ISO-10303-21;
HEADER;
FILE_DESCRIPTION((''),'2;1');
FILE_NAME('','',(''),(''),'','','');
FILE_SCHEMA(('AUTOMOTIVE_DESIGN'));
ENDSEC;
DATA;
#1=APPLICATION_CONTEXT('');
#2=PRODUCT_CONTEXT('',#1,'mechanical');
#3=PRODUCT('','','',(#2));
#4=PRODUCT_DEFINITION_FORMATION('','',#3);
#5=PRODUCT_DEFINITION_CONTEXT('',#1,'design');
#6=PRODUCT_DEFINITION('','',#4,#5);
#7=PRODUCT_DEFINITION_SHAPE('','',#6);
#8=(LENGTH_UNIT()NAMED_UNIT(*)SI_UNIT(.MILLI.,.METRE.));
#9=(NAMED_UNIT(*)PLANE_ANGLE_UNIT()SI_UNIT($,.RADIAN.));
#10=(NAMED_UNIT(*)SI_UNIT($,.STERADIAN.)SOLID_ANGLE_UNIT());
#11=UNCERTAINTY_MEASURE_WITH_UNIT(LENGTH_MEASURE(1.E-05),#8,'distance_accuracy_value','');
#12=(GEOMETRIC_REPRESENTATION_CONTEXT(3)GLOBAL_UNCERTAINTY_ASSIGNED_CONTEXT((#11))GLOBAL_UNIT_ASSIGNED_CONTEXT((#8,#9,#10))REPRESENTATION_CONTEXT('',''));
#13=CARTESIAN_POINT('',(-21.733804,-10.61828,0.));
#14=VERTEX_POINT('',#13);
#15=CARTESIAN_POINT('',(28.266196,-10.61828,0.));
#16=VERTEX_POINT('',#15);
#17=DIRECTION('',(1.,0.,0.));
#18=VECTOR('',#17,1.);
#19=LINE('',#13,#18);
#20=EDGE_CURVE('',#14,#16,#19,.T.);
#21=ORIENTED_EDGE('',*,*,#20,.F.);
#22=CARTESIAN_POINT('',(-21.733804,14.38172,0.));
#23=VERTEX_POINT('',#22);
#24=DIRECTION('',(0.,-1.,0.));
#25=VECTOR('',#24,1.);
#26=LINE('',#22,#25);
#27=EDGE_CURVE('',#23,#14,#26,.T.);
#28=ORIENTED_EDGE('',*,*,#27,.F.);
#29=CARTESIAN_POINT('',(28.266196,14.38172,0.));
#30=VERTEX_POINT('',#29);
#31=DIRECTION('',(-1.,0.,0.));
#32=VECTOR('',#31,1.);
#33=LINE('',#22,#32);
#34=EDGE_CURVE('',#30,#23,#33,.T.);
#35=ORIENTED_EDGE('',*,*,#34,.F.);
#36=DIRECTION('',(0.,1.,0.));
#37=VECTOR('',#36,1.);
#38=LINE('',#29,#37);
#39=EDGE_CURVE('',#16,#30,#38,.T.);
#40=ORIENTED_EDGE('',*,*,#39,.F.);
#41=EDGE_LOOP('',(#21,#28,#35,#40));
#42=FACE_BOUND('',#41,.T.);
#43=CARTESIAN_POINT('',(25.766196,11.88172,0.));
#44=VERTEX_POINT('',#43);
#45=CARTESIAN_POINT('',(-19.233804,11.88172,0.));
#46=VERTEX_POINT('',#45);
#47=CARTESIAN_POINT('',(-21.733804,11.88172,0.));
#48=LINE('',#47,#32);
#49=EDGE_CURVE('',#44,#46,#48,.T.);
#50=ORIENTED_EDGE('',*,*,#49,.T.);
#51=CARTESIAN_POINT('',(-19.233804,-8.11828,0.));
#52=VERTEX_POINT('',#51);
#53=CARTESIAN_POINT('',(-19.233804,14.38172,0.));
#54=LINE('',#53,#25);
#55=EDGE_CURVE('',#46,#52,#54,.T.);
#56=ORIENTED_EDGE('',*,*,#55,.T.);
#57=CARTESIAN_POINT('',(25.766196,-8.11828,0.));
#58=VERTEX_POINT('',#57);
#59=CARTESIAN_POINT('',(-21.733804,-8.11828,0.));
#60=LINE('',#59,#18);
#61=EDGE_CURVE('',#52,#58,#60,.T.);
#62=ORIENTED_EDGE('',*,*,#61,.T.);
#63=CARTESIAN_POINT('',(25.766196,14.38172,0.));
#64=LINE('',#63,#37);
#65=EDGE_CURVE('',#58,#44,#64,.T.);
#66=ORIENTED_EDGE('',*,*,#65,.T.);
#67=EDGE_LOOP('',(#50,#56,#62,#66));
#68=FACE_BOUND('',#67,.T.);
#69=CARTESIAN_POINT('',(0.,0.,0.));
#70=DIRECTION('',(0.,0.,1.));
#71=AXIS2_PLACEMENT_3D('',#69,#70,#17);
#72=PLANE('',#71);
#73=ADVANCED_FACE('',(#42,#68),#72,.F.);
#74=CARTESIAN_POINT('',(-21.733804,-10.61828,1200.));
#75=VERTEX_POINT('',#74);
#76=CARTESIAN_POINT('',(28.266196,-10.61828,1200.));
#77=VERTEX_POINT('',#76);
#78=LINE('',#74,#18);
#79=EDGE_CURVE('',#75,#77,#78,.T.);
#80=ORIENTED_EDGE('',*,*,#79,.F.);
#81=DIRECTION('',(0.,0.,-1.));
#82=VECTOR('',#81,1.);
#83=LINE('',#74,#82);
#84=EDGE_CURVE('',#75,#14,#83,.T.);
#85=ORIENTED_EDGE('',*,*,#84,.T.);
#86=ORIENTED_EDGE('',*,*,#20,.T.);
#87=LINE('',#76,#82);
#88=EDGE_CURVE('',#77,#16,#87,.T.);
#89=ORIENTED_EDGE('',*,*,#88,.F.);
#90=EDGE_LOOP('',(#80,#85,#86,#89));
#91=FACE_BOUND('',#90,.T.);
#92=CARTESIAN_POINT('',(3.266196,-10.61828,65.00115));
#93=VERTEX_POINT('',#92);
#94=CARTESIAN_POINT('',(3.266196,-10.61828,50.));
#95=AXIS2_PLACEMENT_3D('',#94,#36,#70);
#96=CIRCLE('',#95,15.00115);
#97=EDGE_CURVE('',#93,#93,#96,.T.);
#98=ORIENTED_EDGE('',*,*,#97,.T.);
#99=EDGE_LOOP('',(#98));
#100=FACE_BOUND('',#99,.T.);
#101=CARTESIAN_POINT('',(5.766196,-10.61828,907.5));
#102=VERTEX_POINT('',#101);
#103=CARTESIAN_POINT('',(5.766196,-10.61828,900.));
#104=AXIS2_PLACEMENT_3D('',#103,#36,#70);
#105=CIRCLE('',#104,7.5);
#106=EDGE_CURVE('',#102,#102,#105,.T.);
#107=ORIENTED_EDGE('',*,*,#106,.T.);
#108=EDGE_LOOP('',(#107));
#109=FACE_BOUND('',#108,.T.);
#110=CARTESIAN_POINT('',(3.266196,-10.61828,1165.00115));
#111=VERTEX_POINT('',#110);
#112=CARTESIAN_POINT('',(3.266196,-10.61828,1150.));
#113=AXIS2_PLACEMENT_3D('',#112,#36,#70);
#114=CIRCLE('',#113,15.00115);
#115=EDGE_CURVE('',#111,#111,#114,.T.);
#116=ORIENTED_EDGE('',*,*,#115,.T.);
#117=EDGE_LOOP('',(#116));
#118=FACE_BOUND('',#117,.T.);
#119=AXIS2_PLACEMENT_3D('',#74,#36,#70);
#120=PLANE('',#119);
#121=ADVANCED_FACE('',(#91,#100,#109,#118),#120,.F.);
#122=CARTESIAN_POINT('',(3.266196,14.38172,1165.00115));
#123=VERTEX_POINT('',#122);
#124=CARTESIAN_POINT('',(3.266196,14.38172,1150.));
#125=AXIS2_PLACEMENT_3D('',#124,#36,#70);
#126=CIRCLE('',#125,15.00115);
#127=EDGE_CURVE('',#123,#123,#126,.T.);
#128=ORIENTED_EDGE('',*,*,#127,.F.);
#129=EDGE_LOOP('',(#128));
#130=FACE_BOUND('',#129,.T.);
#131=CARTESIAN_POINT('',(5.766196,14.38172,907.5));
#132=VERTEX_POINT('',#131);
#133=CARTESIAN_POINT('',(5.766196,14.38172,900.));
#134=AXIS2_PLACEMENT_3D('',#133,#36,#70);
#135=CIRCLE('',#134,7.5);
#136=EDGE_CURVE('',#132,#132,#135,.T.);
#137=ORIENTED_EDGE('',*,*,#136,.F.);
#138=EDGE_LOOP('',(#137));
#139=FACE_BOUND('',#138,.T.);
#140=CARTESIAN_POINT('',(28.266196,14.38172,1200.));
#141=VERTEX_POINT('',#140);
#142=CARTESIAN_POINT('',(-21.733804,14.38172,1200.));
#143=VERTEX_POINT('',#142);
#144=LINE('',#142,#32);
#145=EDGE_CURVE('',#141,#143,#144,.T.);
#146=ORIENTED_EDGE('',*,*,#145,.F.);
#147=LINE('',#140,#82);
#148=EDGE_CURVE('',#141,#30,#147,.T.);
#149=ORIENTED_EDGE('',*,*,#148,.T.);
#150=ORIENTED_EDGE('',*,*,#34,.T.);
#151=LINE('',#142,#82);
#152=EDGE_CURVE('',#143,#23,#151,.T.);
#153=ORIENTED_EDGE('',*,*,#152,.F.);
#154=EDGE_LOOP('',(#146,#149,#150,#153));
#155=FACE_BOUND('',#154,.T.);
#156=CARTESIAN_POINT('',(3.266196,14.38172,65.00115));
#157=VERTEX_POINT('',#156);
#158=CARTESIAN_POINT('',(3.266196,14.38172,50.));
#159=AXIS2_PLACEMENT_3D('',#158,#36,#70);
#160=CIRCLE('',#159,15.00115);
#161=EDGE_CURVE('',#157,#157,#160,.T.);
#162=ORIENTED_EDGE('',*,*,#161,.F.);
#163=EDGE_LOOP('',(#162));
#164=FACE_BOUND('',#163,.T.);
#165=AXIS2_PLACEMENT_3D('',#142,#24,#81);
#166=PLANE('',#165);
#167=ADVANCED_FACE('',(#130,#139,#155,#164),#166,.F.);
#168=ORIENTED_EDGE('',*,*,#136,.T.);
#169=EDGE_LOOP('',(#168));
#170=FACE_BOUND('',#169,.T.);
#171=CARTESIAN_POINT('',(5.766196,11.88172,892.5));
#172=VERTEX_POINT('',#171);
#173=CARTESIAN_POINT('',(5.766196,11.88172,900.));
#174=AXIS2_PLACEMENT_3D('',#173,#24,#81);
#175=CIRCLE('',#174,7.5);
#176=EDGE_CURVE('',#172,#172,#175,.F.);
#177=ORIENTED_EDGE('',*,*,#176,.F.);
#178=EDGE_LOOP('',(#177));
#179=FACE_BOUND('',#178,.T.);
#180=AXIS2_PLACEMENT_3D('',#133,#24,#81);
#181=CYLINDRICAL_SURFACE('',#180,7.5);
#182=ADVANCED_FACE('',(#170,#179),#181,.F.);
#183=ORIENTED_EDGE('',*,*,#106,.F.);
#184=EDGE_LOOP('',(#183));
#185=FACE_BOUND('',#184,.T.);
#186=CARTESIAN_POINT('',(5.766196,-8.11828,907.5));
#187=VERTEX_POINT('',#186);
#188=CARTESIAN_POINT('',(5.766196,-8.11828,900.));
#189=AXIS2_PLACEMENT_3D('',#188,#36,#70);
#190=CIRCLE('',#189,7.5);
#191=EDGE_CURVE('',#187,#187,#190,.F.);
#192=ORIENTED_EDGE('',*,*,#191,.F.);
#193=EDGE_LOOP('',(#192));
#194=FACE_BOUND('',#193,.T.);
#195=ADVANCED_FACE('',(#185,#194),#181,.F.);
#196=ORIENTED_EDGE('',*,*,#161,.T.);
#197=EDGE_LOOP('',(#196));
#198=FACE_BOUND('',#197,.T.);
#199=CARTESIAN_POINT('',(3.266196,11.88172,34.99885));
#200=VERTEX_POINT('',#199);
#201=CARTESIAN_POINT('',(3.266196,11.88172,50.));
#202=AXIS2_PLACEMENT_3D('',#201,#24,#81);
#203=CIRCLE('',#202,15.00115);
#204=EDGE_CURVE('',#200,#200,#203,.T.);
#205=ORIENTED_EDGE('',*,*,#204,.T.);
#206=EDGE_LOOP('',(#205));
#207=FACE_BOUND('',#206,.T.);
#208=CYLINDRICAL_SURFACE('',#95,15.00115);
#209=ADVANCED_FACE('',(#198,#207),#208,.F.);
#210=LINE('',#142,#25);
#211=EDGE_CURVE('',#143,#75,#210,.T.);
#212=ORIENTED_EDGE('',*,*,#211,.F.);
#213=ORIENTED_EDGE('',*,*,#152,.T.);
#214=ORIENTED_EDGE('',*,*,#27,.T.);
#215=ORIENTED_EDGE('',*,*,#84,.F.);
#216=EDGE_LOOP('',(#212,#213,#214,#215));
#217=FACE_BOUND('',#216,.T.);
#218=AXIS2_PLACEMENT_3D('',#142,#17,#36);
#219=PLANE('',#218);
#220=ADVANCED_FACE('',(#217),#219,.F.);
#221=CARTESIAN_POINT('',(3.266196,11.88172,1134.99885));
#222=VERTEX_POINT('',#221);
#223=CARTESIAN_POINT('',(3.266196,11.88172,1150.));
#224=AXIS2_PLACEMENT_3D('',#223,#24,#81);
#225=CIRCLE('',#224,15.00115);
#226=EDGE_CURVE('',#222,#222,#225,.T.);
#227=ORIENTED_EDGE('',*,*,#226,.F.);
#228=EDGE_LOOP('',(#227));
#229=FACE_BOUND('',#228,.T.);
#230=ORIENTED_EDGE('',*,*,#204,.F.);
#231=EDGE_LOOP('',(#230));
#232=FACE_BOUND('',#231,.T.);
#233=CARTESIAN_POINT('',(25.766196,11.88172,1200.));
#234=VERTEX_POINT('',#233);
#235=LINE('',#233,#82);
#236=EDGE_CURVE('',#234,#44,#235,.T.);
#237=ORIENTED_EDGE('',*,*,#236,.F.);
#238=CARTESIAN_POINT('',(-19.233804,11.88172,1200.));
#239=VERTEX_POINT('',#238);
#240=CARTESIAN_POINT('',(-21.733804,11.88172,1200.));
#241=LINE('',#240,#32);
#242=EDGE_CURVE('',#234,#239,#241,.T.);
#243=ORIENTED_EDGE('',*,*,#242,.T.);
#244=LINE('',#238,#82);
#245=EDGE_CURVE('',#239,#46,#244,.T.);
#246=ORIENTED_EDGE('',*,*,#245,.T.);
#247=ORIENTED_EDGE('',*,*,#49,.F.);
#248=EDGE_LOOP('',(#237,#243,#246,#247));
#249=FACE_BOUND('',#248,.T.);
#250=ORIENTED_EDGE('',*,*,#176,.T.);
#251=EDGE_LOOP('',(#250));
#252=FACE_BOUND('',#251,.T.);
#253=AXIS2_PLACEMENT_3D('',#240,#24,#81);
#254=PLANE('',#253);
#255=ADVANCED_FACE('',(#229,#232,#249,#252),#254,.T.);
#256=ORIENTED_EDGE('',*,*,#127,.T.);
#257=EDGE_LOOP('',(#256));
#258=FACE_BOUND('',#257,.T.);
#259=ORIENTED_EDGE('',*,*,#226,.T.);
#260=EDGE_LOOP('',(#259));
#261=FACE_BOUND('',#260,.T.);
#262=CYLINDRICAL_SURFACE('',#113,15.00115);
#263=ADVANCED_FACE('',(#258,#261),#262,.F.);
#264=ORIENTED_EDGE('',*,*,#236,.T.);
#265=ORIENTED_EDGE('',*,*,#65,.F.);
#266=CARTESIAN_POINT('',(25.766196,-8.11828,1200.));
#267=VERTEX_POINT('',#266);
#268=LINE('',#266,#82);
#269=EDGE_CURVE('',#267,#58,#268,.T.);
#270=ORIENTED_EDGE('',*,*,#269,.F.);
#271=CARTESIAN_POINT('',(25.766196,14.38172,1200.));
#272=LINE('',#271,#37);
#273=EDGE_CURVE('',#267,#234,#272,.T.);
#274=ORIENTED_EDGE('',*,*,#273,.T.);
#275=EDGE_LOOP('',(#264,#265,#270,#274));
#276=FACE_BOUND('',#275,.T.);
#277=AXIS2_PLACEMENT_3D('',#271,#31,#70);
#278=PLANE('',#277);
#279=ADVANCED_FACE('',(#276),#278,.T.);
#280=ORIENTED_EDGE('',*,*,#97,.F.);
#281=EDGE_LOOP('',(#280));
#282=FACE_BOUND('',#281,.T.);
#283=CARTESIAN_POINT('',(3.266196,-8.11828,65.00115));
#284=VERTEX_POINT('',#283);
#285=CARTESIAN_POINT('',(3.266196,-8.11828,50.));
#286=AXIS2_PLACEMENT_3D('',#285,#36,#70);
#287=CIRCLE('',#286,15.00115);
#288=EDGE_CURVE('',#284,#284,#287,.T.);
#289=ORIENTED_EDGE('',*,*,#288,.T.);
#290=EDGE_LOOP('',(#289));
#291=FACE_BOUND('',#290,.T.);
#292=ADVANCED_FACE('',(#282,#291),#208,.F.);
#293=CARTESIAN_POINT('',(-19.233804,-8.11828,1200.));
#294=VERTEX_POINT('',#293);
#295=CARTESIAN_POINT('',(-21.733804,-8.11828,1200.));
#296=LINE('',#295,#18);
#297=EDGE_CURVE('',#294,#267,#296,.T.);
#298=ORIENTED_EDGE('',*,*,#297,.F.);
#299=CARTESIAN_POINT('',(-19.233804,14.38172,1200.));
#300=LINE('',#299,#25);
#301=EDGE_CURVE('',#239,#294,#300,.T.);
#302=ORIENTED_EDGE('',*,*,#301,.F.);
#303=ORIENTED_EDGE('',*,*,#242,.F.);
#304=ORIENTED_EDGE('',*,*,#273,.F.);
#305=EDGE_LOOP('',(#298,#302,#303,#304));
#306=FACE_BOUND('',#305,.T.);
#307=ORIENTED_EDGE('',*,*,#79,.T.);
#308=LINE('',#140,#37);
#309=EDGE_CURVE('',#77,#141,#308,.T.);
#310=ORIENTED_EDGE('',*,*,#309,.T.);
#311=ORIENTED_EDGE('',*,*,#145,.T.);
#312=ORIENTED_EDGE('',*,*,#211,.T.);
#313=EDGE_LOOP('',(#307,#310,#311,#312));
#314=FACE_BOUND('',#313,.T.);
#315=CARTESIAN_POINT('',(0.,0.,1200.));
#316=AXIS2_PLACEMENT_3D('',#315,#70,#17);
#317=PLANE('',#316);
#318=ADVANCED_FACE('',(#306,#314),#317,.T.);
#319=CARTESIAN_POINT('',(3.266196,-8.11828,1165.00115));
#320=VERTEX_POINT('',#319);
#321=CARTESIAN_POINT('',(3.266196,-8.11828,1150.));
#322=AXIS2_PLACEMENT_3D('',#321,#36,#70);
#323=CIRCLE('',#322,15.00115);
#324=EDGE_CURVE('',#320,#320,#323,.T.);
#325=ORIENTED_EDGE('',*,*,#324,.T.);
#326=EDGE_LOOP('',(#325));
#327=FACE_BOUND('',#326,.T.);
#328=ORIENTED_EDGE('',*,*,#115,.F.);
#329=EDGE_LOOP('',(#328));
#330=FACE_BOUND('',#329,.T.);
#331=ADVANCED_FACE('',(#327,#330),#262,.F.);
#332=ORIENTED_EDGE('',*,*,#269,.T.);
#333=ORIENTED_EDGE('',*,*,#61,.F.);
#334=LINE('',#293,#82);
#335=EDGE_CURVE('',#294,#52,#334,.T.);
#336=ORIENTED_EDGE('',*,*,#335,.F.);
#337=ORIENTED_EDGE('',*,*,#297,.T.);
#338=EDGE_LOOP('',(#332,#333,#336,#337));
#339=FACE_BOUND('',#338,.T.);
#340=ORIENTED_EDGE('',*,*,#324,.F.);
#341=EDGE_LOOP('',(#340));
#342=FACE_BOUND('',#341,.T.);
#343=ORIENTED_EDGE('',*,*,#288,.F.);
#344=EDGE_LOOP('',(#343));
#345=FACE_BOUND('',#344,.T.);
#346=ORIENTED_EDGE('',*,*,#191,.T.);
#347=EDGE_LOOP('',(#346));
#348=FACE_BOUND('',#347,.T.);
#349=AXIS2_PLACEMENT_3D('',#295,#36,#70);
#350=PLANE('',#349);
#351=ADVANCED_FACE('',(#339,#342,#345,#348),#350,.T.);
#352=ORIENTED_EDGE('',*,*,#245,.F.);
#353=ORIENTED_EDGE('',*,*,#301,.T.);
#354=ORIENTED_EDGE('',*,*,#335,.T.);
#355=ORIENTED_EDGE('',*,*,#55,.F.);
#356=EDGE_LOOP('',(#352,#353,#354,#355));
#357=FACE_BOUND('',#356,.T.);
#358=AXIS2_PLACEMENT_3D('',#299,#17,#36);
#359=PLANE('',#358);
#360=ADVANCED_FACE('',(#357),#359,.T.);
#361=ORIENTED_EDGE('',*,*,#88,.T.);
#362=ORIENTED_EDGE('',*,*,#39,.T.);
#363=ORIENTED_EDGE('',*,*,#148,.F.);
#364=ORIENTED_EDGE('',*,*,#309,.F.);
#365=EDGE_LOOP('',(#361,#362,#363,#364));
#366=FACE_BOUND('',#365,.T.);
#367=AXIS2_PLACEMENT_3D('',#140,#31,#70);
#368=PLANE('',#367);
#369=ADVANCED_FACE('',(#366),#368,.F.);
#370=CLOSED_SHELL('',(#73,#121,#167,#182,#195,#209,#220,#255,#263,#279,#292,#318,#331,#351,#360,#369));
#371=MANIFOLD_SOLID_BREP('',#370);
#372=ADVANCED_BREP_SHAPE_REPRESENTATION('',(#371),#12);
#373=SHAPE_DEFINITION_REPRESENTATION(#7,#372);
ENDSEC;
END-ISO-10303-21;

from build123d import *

# Parameters (mm, degrees)
SKETCH1_W               = 50
SKETCH1_H               = 25
BOSS_EXTRUDE1_DEPTH     = 1200
SHELL1_T                = -2.5
CUT_EXTRUDE1_DEPTH      = 1201.419015069
CUT_EXTRUDE1_DEPTH_BACK = 1201.419015069
SKETCH2_R               = 7.5
SKETCH3_R               = 15.00115
CUT_EXTRUDE2_DEPTH      = 1201.593177499


with BuildPart() as part:
    # Sketch1 → Boss-Extrude1 (new body)
    with BuildSketch(Plane.XY):
        with Locations((3.266196349, 1.88172043)):
            Rectangle(SKETCH1_W, SKETCH1_H)
    extrude(amount=BOSS_EXTRUDE1_DEPTH)

    # Shell1
    shell1_openings = [part.faces().sort_by_distance(p)[0] for p in [
        (3.266196349, 1.88172043, 1200),
        (3.266196349, 1.88172043, 0),
    ]]
    offset(amount=SHELL1_T, openings=shell1_openings, kind=Kind.INTERSECTION)

    # Sketch2 → Cut-Extrude1 (cut, two sides: drawn at the far end of the back side and taken through both)
    with BuildSketch(Plane(origin=(0, 0, 0), x_dir=(1, 0, 0), z_dir=(0, 1, 0)).offset(-CUT_EXTRUDE1_DEPTH_BACK)):
        with Locations(Location((5.766196349, -900, 0), (0, 0, 90))):
            Circle(SKETCH2_R)
    extrude(amount=CUT_EXTRUDE1_DEPTH + CUT_EXTRUDE1_DEPTH_BACK, mode=Mode.SUBTRACT)

    # Sketch3 → Cut-Extrude2 (cut, through all)
    with BuildSketch(Plane(origin=(0, 14.38172043, 0), x_dir=(1, 0, 0), z_dir=(0, 1, 0))):
        with Locations(Location((3.266196349, -50, 0), (0, 0, 270))):
            Circle(SKETCH3_R)
        with Locations(Location((3.266196349, -1150, 0), (0, 0, 270))):
            Circle(SKETCH3_R)
    extrude(amount=-CUT_EXTRUDE2_DEPTH, mode=Mode.SUBTRACT)


solid = part.part
